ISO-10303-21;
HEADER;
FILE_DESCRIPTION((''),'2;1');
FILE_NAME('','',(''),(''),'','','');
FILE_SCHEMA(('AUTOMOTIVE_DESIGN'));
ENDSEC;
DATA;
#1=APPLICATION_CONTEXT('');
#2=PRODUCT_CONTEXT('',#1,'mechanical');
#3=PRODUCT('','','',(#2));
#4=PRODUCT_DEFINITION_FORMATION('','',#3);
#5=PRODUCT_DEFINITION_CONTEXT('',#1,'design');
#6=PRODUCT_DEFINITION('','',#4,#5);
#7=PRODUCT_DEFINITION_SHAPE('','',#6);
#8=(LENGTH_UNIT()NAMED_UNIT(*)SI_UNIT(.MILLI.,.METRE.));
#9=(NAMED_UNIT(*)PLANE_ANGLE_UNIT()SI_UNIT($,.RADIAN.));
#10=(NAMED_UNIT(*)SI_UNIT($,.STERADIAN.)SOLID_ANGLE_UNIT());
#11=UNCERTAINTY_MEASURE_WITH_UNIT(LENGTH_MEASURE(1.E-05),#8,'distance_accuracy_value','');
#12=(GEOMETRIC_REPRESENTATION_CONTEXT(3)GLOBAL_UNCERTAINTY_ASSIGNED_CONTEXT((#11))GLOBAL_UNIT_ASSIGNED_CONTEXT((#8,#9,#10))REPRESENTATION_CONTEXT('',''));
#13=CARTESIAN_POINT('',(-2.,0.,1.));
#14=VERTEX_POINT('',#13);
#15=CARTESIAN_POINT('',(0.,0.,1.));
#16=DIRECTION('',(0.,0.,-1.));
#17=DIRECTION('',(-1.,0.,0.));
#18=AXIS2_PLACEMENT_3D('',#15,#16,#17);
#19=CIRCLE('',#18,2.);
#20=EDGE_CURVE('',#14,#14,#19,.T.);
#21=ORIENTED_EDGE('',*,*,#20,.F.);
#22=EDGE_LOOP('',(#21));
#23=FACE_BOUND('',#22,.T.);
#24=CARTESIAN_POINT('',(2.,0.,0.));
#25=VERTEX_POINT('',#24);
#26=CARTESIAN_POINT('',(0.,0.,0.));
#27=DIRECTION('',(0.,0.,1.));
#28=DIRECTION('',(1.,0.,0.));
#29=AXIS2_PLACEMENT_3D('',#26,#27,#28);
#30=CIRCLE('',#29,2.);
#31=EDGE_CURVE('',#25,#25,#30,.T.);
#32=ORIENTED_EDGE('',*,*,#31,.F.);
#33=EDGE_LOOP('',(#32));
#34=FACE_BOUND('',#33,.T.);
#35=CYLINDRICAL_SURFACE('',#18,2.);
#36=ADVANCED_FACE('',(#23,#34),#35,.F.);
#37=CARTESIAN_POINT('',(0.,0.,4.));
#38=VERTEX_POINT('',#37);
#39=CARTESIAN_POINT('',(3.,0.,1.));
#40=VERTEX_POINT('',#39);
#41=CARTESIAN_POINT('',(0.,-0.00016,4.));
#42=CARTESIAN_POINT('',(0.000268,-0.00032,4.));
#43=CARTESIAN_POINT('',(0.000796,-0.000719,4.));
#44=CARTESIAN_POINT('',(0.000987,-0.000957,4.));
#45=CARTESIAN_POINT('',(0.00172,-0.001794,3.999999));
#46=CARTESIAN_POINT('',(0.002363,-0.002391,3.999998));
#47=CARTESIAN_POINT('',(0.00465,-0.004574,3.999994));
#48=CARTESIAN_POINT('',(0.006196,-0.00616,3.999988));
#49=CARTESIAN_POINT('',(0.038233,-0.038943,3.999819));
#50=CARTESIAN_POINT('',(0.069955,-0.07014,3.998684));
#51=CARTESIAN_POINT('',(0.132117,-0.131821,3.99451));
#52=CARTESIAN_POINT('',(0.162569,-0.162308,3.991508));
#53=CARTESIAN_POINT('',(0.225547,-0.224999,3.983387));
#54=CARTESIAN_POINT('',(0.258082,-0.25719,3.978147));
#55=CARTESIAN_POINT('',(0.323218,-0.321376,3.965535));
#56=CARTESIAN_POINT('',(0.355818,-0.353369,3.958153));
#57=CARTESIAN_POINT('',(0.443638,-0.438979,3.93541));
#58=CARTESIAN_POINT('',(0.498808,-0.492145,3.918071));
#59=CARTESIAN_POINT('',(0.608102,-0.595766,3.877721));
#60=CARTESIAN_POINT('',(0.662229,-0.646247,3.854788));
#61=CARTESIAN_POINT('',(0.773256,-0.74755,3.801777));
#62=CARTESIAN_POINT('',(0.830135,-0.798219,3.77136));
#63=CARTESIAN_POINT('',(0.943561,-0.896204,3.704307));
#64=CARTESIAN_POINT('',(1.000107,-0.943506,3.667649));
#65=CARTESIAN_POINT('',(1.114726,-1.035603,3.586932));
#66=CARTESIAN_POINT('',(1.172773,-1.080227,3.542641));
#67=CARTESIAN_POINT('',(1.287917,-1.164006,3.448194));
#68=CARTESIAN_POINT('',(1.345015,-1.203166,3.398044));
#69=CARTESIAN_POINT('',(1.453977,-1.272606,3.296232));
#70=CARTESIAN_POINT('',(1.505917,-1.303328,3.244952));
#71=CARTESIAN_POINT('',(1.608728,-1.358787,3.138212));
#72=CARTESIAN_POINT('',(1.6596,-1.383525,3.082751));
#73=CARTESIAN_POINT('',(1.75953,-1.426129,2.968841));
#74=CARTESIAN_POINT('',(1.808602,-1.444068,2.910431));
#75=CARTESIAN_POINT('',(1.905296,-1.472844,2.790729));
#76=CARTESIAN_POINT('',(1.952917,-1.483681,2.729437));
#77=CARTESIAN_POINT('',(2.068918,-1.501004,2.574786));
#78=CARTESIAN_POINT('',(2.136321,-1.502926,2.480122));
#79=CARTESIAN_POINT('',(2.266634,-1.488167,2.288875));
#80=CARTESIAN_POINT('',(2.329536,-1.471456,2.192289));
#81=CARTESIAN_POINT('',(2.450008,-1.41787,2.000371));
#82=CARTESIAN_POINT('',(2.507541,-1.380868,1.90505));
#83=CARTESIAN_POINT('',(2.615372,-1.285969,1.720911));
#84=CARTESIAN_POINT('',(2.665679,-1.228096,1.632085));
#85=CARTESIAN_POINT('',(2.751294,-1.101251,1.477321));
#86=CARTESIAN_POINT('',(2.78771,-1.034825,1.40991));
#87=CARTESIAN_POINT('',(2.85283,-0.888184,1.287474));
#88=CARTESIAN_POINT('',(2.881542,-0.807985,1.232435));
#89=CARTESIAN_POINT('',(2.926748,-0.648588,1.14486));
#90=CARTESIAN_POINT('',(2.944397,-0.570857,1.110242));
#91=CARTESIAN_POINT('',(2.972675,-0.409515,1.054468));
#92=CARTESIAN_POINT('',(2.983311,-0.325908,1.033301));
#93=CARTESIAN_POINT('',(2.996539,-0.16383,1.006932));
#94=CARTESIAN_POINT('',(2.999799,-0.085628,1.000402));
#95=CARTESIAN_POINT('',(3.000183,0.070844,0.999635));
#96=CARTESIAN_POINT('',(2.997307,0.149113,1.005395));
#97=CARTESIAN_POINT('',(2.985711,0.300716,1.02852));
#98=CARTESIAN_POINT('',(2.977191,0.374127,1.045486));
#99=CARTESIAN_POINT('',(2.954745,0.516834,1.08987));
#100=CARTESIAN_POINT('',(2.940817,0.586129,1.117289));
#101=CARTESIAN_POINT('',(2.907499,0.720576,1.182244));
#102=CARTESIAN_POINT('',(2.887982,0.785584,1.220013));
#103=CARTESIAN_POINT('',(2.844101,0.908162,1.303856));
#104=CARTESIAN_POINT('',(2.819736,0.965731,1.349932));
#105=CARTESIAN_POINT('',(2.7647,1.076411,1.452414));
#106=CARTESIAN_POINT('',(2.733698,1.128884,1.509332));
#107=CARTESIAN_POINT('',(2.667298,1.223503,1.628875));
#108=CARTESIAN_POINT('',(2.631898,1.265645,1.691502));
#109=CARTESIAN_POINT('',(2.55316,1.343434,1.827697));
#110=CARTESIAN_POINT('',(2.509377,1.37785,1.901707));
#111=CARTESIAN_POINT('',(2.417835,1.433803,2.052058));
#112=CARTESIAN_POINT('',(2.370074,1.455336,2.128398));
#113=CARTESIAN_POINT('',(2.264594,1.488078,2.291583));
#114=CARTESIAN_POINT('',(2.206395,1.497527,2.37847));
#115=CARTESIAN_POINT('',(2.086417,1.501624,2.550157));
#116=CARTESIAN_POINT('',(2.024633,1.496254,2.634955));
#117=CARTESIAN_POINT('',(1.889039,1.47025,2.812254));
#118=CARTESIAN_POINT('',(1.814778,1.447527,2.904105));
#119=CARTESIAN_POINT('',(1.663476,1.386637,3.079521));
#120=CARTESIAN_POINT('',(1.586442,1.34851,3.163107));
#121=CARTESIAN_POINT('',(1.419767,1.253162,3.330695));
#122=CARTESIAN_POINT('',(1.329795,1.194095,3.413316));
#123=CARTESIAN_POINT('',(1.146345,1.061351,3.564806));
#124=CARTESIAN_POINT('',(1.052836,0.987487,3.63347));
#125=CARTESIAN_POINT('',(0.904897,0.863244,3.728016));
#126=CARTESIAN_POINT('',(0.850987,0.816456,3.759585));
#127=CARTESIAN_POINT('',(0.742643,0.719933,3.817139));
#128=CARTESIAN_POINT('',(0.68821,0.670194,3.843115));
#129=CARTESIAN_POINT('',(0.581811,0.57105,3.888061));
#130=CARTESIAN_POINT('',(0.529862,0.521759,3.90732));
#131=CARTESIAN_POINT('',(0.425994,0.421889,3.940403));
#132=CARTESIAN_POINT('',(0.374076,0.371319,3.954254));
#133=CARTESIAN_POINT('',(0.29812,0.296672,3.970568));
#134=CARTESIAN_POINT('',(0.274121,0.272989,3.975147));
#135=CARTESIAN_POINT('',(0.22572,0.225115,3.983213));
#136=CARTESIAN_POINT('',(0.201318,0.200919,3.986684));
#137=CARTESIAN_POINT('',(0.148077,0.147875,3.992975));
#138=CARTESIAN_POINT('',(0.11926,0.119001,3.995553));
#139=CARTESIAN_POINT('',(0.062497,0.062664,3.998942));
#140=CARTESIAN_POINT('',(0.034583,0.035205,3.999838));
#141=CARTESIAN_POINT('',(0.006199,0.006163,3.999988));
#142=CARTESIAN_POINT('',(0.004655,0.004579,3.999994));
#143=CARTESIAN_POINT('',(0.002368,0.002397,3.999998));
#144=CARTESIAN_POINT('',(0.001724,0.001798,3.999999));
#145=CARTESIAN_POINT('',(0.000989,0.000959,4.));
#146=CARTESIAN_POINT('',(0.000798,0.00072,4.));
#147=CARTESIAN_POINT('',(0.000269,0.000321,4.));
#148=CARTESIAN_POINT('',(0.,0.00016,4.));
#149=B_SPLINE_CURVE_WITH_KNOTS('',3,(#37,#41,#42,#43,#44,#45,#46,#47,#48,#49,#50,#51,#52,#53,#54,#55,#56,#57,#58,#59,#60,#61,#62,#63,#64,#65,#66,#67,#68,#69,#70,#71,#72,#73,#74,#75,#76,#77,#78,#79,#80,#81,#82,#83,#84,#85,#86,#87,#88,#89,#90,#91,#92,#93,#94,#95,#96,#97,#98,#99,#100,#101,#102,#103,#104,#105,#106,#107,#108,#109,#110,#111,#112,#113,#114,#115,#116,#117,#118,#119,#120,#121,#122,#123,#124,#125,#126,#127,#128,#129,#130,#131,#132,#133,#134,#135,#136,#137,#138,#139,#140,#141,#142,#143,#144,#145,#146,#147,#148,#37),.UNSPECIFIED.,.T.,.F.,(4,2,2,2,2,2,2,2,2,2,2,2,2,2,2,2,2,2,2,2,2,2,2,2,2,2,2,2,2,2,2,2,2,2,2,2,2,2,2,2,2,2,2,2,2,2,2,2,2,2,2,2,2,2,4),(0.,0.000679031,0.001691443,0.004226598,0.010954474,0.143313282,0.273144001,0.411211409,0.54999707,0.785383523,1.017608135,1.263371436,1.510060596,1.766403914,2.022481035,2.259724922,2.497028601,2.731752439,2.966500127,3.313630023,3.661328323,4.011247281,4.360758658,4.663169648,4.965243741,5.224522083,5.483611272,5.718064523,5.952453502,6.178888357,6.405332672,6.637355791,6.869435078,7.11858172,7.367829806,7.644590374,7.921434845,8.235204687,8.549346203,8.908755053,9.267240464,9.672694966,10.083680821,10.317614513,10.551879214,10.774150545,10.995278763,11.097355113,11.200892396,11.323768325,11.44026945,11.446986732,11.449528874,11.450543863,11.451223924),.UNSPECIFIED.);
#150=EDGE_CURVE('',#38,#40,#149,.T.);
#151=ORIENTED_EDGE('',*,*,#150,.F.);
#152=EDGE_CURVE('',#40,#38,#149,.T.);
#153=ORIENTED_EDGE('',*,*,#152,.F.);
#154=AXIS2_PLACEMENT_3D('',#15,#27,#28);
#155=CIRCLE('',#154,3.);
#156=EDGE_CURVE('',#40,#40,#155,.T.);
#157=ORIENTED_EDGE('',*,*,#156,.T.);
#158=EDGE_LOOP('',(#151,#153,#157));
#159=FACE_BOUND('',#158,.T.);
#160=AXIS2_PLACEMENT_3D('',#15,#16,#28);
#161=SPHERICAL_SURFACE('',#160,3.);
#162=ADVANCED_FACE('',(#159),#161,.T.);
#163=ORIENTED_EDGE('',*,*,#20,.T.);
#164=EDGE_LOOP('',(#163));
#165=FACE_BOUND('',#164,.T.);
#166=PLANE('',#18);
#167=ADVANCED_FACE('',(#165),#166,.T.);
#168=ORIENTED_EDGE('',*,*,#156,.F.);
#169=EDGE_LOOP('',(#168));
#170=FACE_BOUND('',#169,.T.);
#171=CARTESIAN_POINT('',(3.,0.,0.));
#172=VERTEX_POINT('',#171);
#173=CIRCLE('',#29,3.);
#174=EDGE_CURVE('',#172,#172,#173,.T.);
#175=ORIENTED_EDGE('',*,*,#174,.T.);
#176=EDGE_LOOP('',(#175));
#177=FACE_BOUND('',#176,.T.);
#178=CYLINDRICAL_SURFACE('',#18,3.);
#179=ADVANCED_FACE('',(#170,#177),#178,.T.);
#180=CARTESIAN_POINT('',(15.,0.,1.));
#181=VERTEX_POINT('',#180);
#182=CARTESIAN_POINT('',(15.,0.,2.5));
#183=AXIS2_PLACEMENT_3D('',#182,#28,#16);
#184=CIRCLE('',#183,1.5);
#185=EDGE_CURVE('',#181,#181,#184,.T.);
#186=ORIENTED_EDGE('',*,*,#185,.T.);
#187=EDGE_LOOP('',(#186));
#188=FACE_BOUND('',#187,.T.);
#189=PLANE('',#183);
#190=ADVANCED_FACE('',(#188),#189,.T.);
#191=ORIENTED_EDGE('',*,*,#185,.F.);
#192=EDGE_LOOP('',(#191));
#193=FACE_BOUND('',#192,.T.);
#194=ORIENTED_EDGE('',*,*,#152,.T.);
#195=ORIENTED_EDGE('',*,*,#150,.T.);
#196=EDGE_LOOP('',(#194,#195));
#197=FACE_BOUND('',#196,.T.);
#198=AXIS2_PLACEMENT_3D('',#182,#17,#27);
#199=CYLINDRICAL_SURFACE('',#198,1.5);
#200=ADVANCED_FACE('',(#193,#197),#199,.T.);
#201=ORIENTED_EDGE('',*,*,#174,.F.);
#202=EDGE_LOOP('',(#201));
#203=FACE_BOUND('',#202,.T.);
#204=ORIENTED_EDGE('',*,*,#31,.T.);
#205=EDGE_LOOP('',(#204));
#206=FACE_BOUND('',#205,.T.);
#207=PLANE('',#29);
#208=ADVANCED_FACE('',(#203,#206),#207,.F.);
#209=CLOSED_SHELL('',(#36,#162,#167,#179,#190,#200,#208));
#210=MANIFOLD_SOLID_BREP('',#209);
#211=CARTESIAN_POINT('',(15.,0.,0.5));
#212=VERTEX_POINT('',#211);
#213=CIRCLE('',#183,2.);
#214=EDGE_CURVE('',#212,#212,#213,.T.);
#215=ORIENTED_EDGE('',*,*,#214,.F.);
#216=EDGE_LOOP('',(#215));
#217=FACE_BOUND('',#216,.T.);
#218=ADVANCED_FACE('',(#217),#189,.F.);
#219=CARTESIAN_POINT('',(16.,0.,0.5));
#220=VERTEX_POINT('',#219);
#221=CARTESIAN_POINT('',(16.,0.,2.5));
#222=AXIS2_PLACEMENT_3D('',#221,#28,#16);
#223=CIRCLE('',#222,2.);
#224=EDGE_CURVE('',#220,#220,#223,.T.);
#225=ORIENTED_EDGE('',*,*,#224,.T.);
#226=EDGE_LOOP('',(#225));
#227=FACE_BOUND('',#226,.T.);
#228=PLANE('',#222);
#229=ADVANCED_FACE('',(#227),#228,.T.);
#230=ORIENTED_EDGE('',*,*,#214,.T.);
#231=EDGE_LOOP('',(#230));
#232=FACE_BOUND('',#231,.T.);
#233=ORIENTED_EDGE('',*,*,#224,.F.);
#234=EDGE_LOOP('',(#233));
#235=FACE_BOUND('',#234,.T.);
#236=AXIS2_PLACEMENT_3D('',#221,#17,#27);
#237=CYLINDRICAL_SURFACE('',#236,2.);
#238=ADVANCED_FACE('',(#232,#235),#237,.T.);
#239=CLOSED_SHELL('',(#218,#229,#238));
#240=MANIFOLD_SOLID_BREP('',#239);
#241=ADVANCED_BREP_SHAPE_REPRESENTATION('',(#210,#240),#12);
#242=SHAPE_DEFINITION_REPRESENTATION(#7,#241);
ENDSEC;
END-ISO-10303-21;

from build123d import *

# Parameters (mm, degrees)
SKETCH_1_R      = 3
SKETCH_1_R_2    = 2
EXTRUDE_1_DEPTH = 1
SKETCH_4_R      = 1.5
EXTRUDE_2_DEPTH = 15
SKETCH_5_R      = 2
EXTRUDE_3_DEPTH = 1


with BuildPart() as part:
    # 草图1 → 凸台-拉伸1 (new body)
    with BuildSketch(Plane.XY):
        Circle(SKETCH_1_R)
        Circle(SKETCH_1_R_2, mode=Mode.SUBTRACT)
    extrude(amount=EXTRUDE_1_DEPTH)

    # 草图2 → 旋转3 (revolve)
    with BuildSketch(Plane(origin=(0, 0, 0), x_dir=(1, 0, 0), z_dir=(0, 1, 0))):
        with BuildLine():
            Line((0, -4), (0, -1))
            Line((0, -1), (3, -1))
            ThreePointArc((3, -1), (2.121320344, -3.121320344), (0, -4))
        make_face()
    revolve(axis=Axis((0, 0, 4), (0, 0, 1)))

    # 草图4 → 凸台-拉伸2 (add)
    with BuildSketch(Plane(origin=(0, 0, 0), x_dir=(0, 0, -1), z_dir=(1, 0, 0))):
        with Locations((-2.5, 0)):
            Circle(SKETCH_4_R)
    extrude(amount=EXTRUDE_2_DEPTH)


with BuildPart() as body_2:
    # 草图5 → 凸台-拉伸3 (new body)
    with BuildSketch(Plane(origin=(15, 0, 0), x_dir=(0, 0, -1), z_dir=(1, 0, 0))):
        with Locations((-2.5, 0)):
            Circle(SKETCH_5_R)
    extrude(amount=EXTRUDE_3_DEPTH)


solid = Compound([part.part, body_2.part])
